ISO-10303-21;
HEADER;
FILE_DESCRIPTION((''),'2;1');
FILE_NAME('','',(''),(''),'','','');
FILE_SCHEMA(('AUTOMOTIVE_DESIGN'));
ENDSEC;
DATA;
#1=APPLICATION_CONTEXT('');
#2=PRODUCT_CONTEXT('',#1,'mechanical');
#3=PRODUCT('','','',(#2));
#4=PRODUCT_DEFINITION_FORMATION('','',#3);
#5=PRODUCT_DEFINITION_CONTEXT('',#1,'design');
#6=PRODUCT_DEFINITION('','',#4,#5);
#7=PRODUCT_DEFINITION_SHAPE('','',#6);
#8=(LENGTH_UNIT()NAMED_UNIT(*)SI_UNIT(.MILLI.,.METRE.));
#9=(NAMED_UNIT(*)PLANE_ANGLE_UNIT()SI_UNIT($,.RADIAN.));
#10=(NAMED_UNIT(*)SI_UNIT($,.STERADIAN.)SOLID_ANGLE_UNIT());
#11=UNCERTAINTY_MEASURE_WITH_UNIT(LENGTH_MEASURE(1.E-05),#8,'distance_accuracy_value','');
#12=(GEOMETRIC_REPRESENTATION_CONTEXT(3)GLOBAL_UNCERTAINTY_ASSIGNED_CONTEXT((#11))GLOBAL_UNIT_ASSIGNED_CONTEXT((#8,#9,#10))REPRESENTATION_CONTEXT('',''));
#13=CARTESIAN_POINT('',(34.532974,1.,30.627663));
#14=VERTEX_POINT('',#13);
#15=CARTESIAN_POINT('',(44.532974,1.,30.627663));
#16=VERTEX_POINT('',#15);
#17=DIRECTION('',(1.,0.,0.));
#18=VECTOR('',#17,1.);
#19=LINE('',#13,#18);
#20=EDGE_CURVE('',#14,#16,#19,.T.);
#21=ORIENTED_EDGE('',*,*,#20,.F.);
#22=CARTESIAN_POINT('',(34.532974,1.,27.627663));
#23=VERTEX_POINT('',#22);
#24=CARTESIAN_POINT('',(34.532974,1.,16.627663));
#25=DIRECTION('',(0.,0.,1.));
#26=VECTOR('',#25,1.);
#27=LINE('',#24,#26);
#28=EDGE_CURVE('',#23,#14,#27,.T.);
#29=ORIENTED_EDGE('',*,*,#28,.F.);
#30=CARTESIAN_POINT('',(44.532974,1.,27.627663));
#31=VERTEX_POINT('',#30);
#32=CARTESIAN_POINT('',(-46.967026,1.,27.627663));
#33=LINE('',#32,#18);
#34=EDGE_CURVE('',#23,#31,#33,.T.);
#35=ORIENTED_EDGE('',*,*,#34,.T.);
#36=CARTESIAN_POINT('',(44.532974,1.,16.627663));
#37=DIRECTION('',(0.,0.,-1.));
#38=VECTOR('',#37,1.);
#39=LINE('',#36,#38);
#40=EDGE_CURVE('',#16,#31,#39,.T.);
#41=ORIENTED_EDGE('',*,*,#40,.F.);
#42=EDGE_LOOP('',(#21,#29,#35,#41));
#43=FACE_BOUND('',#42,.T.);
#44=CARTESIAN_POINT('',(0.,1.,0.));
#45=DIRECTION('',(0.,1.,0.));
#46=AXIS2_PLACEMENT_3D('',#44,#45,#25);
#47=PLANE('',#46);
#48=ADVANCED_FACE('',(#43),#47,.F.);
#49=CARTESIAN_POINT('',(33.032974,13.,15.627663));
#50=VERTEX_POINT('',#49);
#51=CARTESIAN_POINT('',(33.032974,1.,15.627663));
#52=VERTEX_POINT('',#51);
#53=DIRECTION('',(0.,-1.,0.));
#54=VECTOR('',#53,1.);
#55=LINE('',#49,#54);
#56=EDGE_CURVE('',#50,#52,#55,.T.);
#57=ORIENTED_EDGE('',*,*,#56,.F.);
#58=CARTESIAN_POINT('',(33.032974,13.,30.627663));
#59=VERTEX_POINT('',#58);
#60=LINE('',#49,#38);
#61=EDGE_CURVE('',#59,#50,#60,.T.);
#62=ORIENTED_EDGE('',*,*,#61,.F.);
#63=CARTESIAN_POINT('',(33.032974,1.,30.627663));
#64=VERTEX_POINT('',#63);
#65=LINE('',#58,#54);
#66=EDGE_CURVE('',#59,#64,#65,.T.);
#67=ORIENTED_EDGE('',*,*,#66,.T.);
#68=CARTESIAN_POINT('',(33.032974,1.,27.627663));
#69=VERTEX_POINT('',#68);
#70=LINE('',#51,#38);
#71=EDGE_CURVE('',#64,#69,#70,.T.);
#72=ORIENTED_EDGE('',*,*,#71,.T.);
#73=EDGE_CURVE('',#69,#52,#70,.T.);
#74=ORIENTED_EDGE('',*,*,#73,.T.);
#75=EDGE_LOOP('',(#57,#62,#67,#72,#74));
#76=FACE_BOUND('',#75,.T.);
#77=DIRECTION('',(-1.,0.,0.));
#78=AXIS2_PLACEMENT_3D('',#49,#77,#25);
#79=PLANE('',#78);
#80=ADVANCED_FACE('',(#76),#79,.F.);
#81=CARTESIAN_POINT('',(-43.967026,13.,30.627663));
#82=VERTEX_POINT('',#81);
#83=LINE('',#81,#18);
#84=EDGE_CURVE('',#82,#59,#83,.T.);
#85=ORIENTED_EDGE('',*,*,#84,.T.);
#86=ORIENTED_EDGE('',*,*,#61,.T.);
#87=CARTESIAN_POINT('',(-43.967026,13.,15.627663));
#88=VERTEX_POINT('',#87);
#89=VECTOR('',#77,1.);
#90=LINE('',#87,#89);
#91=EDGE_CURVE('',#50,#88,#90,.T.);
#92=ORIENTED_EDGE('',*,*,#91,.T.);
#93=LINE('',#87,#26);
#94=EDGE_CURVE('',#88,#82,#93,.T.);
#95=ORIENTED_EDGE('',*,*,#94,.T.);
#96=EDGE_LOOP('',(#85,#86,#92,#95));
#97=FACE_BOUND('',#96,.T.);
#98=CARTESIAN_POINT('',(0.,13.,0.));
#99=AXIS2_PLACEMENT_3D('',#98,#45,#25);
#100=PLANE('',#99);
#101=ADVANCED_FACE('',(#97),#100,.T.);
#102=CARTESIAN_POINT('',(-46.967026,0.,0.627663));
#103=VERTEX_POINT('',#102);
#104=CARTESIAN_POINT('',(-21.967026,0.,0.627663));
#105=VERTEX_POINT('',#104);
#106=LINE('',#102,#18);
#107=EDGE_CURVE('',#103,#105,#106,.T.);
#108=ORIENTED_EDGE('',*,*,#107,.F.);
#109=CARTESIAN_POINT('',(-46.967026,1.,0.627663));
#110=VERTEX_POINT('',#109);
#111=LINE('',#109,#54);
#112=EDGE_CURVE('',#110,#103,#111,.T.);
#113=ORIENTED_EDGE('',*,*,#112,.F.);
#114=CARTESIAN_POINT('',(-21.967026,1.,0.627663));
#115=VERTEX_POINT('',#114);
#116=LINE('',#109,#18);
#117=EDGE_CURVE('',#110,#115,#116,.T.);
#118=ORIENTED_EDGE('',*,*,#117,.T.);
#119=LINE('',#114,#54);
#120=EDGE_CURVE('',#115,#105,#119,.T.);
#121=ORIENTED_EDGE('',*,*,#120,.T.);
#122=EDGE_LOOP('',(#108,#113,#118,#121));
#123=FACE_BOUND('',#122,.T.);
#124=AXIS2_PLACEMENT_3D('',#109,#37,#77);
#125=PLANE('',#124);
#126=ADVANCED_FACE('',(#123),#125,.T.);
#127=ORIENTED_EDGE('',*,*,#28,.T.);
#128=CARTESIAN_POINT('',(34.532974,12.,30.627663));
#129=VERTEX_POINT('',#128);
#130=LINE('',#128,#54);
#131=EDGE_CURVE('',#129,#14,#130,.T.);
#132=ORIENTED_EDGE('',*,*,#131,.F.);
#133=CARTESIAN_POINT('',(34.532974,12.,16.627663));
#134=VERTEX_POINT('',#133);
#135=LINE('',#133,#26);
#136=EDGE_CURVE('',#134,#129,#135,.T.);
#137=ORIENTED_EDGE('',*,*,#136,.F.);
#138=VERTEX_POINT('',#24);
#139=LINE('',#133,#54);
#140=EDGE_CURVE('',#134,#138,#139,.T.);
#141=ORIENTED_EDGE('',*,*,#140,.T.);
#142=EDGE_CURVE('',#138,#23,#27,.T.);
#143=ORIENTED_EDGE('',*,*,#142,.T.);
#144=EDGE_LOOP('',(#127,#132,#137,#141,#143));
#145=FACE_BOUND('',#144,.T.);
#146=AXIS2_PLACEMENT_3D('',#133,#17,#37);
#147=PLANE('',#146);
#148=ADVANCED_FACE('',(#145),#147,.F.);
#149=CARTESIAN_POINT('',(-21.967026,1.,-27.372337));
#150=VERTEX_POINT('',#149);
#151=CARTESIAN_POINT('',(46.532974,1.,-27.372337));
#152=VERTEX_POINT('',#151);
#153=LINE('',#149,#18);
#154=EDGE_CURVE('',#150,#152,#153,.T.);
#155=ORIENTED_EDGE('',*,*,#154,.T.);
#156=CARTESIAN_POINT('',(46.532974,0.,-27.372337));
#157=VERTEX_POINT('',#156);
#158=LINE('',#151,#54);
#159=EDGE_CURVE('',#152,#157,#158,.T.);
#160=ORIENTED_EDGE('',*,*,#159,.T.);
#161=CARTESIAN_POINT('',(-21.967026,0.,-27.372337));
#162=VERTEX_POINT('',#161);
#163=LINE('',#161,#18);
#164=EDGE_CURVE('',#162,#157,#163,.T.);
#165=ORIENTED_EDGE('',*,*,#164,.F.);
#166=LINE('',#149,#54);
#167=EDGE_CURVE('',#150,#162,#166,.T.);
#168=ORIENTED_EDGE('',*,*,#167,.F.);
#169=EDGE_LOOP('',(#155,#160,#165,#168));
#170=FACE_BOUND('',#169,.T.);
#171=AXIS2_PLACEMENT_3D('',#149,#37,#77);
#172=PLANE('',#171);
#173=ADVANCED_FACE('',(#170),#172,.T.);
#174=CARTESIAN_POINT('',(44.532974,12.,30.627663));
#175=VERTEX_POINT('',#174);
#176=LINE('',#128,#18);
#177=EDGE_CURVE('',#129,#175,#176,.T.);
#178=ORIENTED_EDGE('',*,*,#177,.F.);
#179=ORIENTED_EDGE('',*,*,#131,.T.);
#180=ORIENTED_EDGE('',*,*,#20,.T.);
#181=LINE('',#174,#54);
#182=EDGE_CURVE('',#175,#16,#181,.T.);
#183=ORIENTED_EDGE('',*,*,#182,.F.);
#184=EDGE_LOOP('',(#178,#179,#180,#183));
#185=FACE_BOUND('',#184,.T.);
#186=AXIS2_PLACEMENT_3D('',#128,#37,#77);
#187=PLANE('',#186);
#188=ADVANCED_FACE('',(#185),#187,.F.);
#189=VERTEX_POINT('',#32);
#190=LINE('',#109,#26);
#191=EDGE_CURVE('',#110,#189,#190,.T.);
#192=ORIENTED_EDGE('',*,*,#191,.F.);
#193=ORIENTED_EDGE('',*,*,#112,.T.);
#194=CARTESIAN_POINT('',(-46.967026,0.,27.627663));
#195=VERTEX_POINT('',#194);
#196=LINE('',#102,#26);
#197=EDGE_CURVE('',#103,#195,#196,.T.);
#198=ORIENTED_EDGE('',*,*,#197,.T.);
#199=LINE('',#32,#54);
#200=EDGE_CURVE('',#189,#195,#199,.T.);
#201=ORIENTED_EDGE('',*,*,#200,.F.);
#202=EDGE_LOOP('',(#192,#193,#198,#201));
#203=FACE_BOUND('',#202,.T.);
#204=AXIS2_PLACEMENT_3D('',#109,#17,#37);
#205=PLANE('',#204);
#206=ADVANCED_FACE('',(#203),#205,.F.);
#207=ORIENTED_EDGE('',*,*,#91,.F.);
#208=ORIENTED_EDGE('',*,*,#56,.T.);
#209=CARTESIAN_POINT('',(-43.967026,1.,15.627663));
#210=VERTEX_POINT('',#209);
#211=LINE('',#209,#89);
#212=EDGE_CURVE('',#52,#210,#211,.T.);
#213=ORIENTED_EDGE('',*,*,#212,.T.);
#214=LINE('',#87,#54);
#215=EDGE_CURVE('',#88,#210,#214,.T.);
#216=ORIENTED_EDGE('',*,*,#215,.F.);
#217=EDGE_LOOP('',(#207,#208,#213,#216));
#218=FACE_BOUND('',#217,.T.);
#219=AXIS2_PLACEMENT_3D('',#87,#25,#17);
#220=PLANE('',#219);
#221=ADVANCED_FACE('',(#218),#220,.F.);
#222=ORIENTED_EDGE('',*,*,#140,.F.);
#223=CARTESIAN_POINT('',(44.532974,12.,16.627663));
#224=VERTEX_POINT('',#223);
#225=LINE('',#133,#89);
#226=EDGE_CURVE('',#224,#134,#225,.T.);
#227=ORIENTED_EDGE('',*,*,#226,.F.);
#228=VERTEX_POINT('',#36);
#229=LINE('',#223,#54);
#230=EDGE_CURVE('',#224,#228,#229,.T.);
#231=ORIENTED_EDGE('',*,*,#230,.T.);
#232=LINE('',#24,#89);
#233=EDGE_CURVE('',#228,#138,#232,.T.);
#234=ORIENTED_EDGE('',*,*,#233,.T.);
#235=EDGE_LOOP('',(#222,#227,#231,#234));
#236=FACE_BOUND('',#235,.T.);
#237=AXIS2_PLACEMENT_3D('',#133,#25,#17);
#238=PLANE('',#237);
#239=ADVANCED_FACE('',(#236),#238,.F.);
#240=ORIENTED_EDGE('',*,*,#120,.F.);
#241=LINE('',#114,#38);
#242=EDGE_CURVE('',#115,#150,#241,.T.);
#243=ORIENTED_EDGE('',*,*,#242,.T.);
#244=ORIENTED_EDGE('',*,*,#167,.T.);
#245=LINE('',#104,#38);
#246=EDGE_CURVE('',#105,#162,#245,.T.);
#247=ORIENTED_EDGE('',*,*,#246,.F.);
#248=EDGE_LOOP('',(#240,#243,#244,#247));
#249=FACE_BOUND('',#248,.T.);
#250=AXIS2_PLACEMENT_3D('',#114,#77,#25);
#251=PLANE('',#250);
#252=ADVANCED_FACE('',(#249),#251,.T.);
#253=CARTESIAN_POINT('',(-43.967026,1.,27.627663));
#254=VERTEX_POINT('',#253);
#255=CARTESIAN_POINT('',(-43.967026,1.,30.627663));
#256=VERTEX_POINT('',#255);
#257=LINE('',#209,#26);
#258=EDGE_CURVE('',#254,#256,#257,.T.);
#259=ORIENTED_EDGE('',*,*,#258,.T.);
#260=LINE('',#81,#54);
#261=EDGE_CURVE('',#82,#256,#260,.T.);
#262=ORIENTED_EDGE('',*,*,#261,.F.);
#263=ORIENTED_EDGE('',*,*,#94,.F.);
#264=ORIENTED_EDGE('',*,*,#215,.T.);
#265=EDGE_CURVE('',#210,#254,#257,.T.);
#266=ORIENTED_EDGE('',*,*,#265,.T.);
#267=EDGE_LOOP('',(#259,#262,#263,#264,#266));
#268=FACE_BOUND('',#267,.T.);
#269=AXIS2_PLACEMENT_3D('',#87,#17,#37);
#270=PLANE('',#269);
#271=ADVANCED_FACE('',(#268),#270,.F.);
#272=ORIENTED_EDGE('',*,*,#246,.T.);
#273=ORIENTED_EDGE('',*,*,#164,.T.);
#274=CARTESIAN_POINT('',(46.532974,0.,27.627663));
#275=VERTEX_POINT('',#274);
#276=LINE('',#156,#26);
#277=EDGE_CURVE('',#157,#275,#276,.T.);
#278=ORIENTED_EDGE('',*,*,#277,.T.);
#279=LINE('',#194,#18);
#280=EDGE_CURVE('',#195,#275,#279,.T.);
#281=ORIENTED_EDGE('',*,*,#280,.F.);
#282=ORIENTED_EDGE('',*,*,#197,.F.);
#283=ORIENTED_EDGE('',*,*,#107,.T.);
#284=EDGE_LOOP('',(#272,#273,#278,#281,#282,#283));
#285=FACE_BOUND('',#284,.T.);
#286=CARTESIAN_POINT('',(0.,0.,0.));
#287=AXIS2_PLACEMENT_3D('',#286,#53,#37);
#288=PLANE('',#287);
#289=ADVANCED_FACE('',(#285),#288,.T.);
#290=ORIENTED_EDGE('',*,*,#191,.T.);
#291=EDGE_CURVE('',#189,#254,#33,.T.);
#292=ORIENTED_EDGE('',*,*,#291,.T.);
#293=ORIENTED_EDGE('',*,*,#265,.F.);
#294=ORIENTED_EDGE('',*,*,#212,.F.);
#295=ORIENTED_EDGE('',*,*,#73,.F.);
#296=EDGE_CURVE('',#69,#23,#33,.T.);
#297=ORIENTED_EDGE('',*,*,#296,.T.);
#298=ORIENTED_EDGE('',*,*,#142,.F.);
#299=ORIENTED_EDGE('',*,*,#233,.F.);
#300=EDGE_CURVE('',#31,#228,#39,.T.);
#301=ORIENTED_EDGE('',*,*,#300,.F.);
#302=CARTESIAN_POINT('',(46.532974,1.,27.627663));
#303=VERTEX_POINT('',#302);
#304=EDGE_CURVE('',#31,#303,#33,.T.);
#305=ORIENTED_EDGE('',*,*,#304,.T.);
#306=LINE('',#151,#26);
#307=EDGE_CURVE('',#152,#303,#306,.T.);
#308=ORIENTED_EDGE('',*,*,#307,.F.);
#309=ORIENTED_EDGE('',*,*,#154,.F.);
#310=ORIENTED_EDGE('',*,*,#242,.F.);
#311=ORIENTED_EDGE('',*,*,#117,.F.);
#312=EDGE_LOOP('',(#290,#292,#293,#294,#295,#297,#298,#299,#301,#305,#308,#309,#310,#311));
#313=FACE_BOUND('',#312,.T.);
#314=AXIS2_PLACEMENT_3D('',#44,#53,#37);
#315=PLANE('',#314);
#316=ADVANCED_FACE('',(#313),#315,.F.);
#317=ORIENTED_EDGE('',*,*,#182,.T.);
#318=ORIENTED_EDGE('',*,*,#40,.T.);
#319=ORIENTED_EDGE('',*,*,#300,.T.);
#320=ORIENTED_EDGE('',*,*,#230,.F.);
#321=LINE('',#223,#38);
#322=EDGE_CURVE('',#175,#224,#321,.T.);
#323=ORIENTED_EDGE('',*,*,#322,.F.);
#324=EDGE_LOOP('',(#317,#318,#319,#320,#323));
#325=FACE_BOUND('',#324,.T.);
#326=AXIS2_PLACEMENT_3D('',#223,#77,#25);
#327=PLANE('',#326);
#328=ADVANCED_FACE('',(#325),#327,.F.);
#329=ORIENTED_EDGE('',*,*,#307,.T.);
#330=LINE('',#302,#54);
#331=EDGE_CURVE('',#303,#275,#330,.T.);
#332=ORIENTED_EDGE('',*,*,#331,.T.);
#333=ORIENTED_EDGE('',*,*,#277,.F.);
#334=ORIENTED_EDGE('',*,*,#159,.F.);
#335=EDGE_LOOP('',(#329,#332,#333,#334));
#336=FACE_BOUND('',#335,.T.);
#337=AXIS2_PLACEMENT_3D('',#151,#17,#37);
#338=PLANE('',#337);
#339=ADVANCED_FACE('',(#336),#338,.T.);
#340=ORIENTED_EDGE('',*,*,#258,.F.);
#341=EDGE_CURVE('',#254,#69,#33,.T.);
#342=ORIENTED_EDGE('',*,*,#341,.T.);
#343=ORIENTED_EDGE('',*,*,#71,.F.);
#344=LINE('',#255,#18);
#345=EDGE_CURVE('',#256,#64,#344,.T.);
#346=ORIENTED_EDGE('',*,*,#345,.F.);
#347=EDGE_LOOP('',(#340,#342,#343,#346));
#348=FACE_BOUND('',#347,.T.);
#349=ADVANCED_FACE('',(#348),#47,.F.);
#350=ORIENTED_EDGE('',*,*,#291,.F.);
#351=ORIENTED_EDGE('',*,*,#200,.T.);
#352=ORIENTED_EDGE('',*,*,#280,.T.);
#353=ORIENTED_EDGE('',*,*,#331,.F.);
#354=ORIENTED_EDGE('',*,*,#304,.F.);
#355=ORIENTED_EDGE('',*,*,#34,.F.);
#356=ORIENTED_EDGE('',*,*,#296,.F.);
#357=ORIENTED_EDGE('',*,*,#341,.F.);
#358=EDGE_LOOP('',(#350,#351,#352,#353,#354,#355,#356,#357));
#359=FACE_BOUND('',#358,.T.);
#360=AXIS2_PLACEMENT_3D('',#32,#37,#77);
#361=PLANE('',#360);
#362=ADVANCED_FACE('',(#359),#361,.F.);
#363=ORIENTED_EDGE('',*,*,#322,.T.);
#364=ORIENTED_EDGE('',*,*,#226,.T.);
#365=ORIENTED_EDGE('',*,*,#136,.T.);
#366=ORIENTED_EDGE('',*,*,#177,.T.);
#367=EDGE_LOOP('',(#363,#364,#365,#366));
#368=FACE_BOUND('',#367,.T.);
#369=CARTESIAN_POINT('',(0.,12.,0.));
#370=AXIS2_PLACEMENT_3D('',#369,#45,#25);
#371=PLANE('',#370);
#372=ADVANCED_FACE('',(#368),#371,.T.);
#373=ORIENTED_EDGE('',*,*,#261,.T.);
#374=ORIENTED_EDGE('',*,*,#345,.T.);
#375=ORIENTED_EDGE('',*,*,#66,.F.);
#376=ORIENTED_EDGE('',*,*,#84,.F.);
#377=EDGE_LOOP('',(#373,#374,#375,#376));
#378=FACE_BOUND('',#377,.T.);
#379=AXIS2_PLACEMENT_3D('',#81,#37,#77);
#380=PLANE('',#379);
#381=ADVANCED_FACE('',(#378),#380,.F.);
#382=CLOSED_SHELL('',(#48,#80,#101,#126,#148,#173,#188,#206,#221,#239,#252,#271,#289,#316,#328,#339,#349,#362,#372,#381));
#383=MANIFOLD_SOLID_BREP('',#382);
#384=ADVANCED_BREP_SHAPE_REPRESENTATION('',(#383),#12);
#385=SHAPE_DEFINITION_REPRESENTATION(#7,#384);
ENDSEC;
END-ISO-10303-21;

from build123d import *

# Parameters (mm, degrees)
BOSS_EXTRUDE1_DEPTH = 1
SKETCH2_W           = 77
SKETCH2_H           = 15
BOSS_EXTRUDE2_DEPTH = 12
SKETCH3_W           = 10
SKETCH3_H           = 14
BOSS_EXTRUDE3_DEPTH = 11


with BuildPart() as part:
    # Sketch1 → Boss-Extrude1 (new body)
    with BuildSketch(Plane(origin=(0, 0, 0), x_dir=(1, 0, 0), z_dir=(0, 1, 0))):
        Polygon((-46.9670263, -0.627662529), (-21.9670263, -0.627662529), (-21.9670263, 27.372337471), (46.5329737, 27.372337471), (46.5329737, -27.627662529), (-46.9670263, -27.627662529), align=None)
    extrude(amount=BOSS_EXTRUDE1_DEPTH)

    # Sketch2 → Boss-Extrude2 (add)
    with BuildSketch(Plane(origin=(0, 1, 0), x_dir=(1, 0, 0), z_dir=(0, 1, 0))):
        with Locations((-5.4670263, -23.127662529)):
            Rectangle(SKETCH2_W, SKETCH2_H)
    extrude(amount=BOSS_EXTRUDE2_DEPTH)

    # Sketch3 → Boss-Extrude3 (add)
    with BuildSketch(Plane(origin=(0, 1, 0), x_dir=(1, 0, 0), z_dir=(0, 1, 0))):
        with Locations((39.5329737, -23.627662529)):
            Rectangle(SKETCH3_W, SKETCH3_H)
    extrude(amount=BOSS_EXTRUDE3_DEPTH)


solid = part.part
